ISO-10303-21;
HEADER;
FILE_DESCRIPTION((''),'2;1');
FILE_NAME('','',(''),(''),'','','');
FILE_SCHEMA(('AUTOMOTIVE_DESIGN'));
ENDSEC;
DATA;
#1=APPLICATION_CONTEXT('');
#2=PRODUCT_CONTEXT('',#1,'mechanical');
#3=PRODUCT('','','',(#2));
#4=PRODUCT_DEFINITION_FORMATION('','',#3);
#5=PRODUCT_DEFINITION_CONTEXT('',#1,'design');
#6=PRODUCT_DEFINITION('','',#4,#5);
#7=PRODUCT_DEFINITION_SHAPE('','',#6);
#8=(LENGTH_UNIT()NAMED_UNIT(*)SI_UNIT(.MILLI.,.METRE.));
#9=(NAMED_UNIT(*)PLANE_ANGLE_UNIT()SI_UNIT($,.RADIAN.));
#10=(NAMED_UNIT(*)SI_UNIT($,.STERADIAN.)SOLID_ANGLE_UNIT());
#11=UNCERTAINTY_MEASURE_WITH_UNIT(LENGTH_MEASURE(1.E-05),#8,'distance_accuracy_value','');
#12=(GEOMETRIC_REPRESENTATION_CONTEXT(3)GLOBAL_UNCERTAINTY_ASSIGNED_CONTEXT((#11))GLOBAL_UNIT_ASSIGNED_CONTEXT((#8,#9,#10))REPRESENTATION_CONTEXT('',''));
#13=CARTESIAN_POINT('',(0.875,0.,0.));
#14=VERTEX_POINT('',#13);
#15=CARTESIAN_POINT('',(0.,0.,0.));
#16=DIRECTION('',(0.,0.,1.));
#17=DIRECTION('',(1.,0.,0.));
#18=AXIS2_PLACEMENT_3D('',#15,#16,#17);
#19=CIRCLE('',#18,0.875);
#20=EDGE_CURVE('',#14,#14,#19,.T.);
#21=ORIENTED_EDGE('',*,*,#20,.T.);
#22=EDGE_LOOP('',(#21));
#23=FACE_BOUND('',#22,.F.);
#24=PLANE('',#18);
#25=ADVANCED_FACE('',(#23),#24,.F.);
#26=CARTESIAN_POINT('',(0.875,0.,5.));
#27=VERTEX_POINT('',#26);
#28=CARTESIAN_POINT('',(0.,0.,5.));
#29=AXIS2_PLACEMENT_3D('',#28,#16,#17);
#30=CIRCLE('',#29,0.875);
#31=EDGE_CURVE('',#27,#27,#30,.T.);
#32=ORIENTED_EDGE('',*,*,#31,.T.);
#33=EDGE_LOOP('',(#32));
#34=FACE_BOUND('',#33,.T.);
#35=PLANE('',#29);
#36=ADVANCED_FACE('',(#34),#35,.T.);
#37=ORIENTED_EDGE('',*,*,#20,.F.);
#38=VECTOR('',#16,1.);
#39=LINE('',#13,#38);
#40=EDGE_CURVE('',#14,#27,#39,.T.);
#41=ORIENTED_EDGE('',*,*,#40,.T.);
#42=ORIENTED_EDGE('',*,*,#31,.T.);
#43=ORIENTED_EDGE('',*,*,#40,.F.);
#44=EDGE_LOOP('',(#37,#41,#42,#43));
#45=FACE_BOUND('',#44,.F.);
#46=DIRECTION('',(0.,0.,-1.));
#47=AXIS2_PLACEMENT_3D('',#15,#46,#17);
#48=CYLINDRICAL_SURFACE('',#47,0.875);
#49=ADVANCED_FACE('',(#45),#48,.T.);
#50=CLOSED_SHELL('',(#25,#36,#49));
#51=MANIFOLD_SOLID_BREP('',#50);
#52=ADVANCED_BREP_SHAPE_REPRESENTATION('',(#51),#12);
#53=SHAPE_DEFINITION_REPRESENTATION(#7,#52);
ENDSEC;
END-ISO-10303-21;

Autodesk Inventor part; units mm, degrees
ref_plane "YZ Plane" through (0, 0, 0) normal (1, 0, 0) x (0, 1, 0)
ref_plane "XZ Plane" through (0, 0, 0) normal (0, 1, 0) x (-1, 0, 0)
ref_plane "XY Plane" through (0, 0, 0) normal (0, 0, 1) x (1, 0, 0)
sketch "Sketch1" plane through (0, 0, 0) normal (0, 0, 1) x (1, 0, 0)
  circle A0 centre (0, 0) radius 0.875
  dimension "d0" = 1.75
extrude "Extrusion1" add sketch "Sketch1" along normal blind 5
sketch "Sketch2" plane through (0, 0, 0) normal (0, 0, -1) x (-1, 0, 0)
  circle A0 centre (0, 0) radius 0.875 projected
properties part number "blacklead"
